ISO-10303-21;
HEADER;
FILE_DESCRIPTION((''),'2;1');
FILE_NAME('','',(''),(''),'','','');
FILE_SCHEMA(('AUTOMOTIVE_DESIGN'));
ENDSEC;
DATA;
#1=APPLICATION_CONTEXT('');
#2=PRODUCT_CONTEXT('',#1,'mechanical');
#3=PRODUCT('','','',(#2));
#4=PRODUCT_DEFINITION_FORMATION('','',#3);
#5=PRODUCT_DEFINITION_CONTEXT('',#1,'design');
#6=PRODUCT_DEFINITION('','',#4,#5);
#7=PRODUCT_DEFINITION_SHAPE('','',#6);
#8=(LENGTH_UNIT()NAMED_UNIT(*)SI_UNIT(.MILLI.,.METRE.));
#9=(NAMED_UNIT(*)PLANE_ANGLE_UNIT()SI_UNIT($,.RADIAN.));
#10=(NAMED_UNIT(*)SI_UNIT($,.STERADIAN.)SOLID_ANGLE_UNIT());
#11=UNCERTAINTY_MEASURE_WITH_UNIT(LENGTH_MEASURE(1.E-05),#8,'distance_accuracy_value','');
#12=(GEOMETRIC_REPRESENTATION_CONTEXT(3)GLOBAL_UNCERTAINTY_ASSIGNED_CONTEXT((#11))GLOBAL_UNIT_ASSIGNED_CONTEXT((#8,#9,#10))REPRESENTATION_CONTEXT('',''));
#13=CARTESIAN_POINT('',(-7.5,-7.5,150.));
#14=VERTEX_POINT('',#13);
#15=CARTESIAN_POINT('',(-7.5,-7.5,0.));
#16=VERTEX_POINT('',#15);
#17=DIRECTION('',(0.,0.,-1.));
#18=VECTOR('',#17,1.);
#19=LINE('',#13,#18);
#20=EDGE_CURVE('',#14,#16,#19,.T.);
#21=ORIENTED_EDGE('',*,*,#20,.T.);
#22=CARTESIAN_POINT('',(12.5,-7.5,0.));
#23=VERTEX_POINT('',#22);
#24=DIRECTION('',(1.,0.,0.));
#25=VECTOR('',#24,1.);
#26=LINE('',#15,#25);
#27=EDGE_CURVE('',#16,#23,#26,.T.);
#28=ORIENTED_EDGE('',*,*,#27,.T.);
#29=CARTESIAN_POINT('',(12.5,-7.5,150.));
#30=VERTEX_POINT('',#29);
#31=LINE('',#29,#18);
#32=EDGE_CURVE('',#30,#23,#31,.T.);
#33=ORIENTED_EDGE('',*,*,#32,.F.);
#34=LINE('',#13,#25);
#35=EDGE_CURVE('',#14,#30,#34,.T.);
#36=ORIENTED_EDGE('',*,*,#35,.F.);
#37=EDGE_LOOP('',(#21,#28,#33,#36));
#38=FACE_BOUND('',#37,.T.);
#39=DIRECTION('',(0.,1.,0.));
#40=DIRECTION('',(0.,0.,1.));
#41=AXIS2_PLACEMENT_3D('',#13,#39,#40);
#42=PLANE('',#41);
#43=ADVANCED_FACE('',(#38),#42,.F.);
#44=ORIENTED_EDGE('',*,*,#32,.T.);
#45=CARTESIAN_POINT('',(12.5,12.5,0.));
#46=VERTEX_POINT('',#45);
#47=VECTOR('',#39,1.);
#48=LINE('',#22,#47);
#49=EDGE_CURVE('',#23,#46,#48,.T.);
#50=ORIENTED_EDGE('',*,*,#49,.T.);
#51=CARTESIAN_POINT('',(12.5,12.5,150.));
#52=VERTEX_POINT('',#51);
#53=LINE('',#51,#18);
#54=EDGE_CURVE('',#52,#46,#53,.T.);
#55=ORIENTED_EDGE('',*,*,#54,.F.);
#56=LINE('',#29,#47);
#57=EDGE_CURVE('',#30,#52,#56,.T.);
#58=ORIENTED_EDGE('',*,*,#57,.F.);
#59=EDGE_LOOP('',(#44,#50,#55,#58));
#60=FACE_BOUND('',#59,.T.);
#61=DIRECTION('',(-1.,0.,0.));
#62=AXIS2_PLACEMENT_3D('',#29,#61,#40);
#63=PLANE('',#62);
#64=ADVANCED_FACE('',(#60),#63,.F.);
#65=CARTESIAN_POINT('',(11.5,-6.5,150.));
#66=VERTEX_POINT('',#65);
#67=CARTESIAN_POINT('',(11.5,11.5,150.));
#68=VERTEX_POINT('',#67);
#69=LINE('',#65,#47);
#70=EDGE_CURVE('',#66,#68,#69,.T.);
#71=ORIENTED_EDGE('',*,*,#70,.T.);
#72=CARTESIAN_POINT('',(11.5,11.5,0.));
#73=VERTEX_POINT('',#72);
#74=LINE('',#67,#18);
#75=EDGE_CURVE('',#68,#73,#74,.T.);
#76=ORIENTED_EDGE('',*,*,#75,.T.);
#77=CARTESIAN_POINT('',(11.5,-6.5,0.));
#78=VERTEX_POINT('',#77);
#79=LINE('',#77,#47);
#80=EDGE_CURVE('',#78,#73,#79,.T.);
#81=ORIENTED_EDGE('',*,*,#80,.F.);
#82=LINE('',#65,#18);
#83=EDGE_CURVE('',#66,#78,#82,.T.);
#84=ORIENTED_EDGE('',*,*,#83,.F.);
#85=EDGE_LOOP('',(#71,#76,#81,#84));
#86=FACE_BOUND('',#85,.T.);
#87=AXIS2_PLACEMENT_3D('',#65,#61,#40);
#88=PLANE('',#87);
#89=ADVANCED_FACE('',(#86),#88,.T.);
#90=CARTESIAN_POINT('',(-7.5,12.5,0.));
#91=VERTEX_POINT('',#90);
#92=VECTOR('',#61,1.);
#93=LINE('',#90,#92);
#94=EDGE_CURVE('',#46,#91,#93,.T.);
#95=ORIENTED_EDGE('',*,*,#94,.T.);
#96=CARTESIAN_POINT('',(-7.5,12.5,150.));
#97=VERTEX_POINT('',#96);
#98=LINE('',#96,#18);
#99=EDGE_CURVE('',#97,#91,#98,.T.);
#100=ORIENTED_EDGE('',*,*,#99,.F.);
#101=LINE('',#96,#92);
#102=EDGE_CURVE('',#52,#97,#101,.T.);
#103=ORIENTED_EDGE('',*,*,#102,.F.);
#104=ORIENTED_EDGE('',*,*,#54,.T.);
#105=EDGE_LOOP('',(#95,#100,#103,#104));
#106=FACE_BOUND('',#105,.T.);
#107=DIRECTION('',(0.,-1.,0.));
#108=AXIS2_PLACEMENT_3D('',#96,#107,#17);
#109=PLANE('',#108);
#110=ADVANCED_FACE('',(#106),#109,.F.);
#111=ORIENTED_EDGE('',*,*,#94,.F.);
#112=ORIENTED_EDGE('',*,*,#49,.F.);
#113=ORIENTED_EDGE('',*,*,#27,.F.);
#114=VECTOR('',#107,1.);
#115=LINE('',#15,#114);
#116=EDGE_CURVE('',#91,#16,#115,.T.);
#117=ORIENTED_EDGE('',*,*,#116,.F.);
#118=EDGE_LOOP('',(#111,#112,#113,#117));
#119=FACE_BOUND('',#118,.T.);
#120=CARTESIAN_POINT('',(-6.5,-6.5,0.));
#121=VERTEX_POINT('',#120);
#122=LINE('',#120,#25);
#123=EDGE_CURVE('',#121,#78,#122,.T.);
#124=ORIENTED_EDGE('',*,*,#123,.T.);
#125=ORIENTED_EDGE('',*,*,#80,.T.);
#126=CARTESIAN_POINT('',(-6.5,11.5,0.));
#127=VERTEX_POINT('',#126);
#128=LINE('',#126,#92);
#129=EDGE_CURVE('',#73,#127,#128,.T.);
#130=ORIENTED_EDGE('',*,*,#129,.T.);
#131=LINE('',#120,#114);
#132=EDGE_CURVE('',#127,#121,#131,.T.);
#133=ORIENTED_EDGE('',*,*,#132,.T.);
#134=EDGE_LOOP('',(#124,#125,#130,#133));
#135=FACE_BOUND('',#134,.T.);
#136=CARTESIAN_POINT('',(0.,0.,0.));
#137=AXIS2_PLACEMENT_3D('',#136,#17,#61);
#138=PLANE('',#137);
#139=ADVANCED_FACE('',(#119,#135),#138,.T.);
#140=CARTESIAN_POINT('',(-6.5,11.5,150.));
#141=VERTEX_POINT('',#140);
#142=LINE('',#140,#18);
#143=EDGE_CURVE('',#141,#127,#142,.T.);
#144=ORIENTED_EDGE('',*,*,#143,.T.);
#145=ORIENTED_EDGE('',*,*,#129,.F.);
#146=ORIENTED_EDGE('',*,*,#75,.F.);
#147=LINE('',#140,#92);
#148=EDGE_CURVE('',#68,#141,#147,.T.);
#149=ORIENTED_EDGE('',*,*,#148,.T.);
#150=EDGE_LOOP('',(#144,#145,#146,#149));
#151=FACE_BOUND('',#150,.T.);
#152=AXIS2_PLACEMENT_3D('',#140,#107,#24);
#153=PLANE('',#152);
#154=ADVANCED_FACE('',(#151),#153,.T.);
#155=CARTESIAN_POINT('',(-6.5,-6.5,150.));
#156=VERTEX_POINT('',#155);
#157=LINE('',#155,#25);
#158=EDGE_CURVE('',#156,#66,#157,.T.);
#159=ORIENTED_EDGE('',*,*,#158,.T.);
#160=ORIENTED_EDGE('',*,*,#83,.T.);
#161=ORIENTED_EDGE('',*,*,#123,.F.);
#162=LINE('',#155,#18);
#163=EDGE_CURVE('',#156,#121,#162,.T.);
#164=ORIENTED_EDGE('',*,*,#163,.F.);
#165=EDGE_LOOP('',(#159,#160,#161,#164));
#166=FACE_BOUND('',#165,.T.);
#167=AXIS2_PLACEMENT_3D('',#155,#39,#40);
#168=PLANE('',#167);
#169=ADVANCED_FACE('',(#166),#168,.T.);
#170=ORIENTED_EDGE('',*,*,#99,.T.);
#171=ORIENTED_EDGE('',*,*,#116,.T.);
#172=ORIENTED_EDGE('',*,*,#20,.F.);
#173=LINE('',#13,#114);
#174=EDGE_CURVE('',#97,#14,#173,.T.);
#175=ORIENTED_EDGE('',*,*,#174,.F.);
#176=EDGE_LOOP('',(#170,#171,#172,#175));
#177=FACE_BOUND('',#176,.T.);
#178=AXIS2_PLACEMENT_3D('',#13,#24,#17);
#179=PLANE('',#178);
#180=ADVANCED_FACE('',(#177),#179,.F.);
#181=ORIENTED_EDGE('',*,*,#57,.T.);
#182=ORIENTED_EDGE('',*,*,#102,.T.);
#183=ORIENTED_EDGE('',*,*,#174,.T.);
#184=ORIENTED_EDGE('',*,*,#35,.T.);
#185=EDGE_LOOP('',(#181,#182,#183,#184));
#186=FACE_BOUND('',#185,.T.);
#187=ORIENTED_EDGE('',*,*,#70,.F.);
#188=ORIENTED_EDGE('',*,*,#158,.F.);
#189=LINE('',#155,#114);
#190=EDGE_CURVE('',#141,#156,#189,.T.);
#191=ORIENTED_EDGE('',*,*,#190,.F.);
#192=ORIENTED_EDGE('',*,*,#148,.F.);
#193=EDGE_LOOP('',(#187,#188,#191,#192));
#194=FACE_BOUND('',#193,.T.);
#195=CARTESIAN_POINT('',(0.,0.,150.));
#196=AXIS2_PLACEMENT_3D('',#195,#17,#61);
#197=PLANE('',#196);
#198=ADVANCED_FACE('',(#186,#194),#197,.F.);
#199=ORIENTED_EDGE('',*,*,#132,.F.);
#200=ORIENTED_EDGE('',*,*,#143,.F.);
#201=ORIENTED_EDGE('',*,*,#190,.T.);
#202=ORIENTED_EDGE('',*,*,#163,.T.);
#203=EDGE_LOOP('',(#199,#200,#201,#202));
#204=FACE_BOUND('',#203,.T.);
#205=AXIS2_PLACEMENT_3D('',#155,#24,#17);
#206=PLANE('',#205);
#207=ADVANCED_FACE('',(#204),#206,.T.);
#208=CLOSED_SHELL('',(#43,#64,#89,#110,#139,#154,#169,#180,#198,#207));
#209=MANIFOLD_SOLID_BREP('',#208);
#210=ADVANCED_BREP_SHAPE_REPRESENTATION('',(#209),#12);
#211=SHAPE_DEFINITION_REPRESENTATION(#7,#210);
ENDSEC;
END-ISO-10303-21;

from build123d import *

# Parameters (mm, degrees)
SKETCH_1_W      = 20
SKETCH_1_H      = 20
SKETCH_1_W_2    = 18
SKETCH_1_H_2    = 18
EXTRUDE_1_DEPTH = 150


with BuildPart() as part:
    # 草图1 → 凸台-拉伸1 (new body)
    with BuildSketch(Plane.XY):
        with Locations((2.5, 2.5)):
            Rectangle(SKETCH_1_W, SKETCH_1_H)
        with Locations((2.5, 2.5)):
            Rectangle(SKETCH_1_W_2, SKETCH_1_H_2, mode=Mode.SUBTRACT)
    extrude(amount=EXTRUDE_1_DEPTH)


solid = part.part
